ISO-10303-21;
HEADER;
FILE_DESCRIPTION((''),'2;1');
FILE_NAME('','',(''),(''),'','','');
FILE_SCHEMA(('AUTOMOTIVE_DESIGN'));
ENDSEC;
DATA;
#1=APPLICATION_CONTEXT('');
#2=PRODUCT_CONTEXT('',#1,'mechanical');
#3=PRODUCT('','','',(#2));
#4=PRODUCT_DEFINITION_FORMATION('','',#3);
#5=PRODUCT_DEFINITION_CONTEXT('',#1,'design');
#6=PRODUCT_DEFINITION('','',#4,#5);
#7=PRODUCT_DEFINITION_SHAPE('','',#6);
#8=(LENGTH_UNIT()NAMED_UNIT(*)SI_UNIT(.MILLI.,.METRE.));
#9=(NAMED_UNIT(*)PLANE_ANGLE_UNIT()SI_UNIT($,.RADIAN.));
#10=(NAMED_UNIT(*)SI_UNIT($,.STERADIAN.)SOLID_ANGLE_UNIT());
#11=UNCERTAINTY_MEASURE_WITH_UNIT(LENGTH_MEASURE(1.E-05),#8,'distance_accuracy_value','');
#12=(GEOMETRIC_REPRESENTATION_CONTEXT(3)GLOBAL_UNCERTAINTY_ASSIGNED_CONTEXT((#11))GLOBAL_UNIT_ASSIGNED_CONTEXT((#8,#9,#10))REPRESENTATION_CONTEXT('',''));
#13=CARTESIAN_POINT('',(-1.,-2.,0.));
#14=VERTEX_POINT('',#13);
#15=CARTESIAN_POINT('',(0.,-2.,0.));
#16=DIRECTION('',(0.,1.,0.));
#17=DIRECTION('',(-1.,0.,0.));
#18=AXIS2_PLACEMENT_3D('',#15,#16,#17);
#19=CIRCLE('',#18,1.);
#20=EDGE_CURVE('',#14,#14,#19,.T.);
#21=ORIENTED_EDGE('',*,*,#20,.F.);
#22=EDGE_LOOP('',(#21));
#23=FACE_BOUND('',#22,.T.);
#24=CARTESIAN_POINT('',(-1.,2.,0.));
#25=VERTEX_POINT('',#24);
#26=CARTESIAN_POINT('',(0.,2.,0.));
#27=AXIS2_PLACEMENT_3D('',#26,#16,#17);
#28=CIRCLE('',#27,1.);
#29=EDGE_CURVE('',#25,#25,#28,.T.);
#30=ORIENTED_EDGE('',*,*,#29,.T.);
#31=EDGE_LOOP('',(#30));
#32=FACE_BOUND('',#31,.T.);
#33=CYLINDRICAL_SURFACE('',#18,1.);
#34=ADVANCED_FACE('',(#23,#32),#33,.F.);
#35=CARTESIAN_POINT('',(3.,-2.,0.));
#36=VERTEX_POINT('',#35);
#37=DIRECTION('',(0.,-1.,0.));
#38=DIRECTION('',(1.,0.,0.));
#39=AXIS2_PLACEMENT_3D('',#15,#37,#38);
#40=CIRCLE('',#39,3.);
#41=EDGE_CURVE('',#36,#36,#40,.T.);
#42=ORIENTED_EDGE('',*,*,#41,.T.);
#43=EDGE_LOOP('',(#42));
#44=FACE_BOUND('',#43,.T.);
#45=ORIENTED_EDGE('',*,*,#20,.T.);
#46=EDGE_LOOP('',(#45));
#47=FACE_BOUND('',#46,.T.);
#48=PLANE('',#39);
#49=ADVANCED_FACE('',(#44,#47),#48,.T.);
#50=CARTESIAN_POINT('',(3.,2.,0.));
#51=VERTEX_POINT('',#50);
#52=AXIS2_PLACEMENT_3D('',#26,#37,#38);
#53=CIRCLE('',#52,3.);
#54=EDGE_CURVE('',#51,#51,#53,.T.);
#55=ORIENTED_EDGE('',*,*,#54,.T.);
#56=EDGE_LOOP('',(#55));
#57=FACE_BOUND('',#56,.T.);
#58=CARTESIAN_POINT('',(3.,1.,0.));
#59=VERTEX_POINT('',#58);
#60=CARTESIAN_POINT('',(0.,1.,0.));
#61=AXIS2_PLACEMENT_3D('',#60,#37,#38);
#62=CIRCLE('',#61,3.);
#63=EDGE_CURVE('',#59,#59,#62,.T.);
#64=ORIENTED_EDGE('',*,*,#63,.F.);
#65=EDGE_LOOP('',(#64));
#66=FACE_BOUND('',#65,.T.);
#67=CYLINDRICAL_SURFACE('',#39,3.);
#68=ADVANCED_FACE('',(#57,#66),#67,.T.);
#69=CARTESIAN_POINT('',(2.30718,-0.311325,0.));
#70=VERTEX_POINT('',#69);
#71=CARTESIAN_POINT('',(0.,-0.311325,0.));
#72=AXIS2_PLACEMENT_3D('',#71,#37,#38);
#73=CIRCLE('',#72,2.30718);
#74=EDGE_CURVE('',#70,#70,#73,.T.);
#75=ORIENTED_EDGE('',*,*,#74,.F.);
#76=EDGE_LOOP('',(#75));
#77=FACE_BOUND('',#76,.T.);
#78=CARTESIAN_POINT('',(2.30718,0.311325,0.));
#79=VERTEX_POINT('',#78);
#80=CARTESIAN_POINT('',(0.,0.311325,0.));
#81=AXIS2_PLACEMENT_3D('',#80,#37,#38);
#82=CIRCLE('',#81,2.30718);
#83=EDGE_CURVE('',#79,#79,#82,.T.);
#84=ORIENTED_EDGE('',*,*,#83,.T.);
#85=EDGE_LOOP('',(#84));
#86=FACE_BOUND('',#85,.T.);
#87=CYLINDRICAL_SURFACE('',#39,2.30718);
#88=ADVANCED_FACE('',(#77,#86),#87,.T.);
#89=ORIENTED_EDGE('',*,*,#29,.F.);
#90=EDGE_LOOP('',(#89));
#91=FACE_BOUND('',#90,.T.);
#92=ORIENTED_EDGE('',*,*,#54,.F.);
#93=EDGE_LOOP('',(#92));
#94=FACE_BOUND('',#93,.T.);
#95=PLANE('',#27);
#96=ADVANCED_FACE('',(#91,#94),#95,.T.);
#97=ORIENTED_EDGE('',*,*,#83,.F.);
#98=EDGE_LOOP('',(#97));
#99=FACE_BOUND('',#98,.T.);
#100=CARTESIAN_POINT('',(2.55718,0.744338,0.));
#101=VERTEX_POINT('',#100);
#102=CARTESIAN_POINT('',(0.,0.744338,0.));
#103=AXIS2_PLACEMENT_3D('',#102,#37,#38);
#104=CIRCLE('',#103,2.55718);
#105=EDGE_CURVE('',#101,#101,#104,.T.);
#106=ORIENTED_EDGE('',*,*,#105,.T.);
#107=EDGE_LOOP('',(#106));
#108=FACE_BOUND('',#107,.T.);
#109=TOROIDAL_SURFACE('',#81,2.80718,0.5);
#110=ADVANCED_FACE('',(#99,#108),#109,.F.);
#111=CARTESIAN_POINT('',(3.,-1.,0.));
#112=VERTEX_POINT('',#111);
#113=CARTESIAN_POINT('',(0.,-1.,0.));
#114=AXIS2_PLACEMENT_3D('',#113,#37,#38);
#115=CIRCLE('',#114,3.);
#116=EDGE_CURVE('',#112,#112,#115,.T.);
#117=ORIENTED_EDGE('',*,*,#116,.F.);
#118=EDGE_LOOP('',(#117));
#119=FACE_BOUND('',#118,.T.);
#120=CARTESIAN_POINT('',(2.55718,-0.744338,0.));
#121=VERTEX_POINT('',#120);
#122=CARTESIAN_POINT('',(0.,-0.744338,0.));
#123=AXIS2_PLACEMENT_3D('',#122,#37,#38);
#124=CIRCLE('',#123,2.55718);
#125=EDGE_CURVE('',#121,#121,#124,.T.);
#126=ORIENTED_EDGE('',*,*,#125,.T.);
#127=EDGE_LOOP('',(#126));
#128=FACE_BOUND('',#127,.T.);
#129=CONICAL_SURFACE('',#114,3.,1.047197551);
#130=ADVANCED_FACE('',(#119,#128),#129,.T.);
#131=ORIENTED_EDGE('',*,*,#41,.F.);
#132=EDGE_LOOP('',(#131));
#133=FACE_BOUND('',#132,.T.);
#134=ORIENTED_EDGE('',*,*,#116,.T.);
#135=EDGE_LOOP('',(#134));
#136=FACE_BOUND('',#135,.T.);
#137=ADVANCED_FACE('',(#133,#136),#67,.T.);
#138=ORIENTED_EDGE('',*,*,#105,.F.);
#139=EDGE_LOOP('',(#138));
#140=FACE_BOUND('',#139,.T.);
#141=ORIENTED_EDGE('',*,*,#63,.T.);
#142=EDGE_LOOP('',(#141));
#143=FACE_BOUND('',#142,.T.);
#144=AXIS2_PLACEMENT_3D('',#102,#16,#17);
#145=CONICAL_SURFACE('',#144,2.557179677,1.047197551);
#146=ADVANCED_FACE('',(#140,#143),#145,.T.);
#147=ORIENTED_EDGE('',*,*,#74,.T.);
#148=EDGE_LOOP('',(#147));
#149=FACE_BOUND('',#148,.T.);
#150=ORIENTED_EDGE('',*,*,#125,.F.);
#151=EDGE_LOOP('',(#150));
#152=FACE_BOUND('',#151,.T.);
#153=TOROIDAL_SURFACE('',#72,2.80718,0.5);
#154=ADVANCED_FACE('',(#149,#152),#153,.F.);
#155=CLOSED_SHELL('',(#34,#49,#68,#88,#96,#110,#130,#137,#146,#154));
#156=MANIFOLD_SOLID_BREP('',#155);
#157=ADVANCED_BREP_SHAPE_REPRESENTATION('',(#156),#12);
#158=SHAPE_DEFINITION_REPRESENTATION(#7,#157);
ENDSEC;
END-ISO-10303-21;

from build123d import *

# Parameters (mm, degrees)
SKETCH2_R          = 1
CUT_EXTRUDE1_DEPTH = 5


with BuildPart() as part:
    # Sketch1 → Revolve2 (revolve)
    with BuildSketch(Plane.XY):
        with BuildLine():
            Line((0, 2), (3, 2))
            Line((3, 2), (3, 1))
            Line((3, 1), (2.557179677, 0.744337567))
            ThreePointArc((2.557179677, 0.744337567), (2.374166975, 0.561324865), (2.307179677, 0.311324865))
            Line((2.307179677, 0.311324865), (2.307179677, -0.311324865))
            ThreePointArc((2.307179677, -0.311324865), (2.374166975, -0.561324865), (2.557179677, -0.744337567))
            Line((2.557179677, -0.744337567), (3, -1))
            Line((3, -1), (3, -2))
            Line((3, -2), (0, -2))
            Line((0, -2), (0, 2))
        make_face()
    revolve(axis=Axis((0, -2, 0), (0, 1, 0)))

    # Sketch2 → Cut-Extrude1 (cut, through all)
    with BuildSketch(Plane(origin=(0, 2, 0), x_dir=(1, 0, 0), z_dir=(0, 1, 0))):
        Circle(SKETCH2_R)
    extrude(amount=-CUT_EXTRUDE1_DEPTH, mode=Mode.SUBTRACT)


solid = part.part
